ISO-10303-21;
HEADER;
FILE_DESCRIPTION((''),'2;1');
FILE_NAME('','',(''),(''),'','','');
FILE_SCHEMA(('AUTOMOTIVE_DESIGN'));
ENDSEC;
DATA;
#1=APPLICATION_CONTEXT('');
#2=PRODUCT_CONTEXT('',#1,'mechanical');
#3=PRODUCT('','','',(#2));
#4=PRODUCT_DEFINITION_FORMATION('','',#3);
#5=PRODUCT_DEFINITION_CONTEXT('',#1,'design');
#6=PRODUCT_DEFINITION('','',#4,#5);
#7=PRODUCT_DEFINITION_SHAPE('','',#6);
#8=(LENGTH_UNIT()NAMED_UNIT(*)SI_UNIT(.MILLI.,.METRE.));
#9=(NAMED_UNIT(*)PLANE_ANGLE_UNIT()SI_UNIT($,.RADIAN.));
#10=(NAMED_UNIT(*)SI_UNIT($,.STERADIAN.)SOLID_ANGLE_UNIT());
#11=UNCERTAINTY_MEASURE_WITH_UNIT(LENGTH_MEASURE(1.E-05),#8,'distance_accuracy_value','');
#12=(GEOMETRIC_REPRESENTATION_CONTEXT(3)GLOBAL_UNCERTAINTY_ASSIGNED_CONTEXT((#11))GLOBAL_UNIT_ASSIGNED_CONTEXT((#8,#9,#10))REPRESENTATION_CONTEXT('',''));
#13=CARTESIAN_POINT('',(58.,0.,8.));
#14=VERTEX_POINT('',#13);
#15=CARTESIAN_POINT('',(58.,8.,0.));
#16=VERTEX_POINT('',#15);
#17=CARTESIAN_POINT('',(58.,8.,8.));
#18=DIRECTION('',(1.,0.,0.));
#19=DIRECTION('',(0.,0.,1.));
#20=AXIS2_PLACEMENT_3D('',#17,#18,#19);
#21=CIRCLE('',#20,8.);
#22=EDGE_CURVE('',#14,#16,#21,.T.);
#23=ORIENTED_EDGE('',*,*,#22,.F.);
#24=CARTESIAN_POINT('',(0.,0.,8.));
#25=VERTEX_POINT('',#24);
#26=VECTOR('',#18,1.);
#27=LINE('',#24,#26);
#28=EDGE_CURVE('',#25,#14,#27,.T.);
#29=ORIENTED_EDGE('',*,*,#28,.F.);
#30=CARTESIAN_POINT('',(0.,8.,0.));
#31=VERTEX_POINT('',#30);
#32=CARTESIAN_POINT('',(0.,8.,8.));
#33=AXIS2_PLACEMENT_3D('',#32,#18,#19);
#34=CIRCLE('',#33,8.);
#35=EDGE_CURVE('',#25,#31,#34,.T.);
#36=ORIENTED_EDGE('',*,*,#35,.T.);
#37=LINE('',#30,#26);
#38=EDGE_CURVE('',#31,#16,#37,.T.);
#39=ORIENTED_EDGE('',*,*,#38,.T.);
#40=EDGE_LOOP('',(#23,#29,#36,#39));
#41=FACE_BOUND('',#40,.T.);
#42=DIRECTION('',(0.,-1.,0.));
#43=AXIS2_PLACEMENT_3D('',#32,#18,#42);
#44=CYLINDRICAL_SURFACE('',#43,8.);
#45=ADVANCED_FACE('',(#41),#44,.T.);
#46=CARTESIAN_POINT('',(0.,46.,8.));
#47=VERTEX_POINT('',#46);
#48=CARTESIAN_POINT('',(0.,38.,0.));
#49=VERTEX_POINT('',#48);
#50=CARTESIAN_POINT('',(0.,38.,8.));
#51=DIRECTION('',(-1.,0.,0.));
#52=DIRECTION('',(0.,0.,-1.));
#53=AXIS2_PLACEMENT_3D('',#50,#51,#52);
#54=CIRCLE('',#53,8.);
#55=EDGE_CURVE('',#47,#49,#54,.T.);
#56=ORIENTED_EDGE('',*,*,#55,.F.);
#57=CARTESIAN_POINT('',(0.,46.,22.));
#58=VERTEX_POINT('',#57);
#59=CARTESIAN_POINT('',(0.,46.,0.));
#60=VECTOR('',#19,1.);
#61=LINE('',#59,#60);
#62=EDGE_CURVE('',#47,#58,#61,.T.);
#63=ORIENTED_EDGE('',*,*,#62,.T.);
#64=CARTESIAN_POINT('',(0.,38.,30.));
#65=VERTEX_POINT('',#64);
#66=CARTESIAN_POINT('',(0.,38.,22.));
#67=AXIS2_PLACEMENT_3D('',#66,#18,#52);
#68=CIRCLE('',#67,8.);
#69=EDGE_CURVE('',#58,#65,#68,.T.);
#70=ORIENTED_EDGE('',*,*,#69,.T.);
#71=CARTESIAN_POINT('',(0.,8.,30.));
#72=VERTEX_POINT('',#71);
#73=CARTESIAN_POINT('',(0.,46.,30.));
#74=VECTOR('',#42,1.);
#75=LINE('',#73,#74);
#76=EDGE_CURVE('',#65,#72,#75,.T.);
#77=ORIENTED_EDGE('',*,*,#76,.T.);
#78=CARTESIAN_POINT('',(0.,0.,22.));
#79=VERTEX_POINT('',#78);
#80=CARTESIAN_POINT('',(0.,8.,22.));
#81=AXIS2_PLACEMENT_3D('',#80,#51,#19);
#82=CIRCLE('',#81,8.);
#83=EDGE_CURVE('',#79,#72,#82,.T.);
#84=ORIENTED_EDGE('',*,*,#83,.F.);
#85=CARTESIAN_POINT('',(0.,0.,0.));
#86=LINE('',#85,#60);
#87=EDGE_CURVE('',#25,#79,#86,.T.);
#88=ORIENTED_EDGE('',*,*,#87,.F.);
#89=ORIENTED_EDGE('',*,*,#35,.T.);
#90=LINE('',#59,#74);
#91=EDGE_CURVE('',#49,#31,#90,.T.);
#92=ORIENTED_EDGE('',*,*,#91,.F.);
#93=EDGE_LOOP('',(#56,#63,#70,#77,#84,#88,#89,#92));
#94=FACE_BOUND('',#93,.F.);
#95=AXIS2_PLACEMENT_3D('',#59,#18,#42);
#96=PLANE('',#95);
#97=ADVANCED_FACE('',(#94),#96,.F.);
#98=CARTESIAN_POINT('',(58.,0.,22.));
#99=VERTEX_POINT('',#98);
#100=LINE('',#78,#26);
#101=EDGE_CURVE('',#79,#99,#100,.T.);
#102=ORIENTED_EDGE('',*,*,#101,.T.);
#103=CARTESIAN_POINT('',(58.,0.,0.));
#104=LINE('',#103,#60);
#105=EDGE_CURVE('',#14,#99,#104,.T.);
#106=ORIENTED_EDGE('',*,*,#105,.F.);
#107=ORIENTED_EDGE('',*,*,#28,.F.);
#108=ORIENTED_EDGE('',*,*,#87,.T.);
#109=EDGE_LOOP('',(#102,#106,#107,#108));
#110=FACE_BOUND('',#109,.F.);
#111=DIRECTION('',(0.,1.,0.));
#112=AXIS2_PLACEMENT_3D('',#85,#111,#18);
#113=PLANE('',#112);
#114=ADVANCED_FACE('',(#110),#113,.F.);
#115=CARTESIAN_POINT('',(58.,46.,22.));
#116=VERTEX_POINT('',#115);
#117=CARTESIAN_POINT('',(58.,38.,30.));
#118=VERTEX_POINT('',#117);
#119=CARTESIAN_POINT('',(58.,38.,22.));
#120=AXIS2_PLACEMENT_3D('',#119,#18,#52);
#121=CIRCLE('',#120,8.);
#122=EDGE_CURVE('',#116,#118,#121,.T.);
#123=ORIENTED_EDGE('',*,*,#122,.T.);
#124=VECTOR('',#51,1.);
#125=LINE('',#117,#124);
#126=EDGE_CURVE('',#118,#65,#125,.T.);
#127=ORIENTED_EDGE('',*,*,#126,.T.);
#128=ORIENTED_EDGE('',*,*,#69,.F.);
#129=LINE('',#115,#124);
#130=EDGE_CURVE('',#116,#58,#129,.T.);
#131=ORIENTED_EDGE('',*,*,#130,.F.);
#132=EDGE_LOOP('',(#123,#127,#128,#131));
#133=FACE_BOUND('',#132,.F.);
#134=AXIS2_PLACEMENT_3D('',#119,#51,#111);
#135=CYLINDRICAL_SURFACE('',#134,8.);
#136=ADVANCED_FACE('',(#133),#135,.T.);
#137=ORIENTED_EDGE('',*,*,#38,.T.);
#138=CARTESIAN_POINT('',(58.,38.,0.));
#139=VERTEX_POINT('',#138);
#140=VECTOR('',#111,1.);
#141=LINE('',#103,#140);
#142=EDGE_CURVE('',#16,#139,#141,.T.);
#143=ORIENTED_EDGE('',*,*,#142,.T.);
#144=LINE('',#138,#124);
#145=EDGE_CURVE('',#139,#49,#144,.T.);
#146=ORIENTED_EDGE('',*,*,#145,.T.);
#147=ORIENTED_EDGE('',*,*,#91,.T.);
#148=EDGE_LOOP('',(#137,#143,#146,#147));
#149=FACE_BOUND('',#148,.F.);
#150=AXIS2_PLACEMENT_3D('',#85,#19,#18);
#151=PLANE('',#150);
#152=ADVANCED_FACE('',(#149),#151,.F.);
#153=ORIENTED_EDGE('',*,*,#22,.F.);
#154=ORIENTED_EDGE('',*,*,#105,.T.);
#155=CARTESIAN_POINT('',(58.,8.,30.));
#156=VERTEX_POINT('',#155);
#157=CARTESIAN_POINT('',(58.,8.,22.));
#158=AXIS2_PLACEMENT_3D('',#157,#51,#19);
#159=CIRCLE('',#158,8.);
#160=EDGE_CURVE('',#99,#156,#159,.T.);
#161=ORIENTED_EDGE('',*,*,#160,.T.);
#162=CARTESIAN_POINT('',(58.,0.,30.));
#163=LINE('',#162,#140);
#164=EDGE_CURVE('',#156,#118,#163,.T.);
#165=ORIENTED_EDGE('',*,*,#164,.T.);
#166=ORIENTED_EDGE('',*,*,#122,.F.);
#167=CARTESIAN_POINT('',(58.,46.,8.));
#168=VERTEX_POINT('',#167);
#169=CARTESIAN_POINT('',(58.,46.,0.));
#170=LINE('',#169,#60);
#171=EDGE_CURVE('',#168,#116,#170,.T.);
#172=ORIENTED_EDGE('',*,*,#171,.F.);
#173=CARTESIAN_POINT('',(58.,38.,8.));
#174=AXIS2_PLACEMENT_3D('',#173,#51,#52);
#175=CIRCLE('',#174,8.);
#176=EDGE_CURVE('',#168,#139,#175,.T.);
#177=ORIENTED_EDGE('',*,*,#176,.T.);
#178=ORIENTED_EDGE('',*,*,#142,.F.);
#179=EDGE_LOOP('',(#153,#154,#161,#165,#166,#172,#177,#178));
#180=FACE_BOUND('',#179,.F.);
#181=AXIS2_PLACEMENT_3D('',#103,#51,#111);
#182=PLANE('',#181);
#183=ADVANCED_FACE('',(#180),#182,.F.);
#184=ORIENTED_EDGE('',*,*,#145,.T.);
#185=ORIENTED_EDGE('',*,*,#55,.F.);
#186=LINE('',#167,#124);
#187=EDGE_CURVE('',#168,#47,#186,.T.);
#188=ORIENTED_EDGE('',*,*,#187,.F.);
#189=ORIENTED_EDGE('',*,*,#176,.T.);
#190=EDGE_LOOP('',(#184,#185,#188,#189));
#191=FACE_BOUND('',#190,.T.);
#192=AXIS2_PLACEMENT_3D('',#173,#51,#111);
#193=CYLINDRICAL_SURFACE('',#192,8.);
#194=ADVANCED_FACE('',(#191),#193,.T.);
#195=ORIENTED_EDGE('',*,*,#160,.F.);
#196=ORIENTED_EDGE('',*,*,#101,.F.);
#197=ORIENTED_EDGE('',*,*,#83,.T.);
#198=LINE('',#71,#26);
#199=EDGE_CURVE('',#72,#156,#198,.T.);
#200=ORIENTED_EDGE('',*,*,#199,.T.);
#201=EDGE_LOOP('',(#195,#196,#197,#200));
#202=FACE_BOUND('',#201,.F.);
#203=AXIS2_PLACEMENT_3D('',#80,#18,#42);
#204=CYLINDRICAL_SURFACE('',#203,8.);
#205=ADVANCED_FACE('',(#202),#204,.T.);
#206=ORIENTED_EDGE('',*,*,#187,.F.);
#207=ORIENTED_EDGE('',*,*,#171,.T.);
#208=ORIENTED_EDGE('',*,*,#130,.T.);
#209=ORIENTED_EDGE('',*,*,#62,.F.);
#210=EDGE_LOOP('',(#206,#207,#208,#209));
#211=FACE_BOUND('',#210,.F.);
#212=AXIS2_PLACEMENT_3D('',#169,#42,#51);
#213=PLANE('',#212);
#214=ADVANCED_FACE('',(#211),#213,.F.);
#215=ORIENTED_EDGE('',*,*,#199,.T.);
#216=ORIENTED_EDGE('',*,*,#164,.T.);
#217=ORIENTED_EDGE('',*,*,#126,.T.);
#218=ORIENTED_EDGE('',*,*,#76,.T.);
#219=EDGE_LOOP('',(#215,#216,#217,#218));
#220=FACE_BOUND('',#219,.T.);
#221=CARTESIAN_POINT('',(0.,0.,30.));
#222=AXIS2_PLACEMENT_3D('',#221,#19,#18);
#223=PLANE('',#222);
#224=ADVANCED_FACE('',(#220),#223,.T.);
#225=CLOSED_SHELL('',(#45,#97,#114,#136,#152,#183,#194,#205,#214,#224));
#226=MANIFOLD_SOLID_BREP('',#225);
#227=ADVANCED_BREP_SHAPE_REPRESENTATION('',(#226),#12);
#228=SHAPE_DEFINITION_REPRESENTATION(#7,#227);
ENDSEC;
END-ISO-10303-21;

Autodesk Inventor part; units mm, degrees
ref_plane "YZ Plane" through (0, 0, 0) normal (1, 0, 0) x (0, 1, 0)
ref_plane "XZ Plane" through (0, 0, 0) normal (0, 1, 0) x (-1, 0, 0)
ref_plane "XY Plane" through (0, 0, 0) normal (0, 0, 1) x (1, 0, 0)
sketch "スケッチ1" plane through (0, 0, 0) normal (0, 0, 1) x (1, 0, 0)
  line L0 (0, 0) -> (58, 0)
  line L1 (58, 0) -> (58, 46)
  line L2 (58, 46) -> (0, 46)
  line L3 (0, 46) -> (0, 0)
  dimension "d0" = 46
  dimension "d1" = 58
extrude "押し出し1" add sketch "スケッチ1" along normal blind 30
fillet "フィレット1" radius 8 4 edges at (29, 0, 30) (29, 46, 30) (29, 0, 0) (29, 46, 0)
properties part number "ＳＮ型電池ホルダー_SN3-6B"
